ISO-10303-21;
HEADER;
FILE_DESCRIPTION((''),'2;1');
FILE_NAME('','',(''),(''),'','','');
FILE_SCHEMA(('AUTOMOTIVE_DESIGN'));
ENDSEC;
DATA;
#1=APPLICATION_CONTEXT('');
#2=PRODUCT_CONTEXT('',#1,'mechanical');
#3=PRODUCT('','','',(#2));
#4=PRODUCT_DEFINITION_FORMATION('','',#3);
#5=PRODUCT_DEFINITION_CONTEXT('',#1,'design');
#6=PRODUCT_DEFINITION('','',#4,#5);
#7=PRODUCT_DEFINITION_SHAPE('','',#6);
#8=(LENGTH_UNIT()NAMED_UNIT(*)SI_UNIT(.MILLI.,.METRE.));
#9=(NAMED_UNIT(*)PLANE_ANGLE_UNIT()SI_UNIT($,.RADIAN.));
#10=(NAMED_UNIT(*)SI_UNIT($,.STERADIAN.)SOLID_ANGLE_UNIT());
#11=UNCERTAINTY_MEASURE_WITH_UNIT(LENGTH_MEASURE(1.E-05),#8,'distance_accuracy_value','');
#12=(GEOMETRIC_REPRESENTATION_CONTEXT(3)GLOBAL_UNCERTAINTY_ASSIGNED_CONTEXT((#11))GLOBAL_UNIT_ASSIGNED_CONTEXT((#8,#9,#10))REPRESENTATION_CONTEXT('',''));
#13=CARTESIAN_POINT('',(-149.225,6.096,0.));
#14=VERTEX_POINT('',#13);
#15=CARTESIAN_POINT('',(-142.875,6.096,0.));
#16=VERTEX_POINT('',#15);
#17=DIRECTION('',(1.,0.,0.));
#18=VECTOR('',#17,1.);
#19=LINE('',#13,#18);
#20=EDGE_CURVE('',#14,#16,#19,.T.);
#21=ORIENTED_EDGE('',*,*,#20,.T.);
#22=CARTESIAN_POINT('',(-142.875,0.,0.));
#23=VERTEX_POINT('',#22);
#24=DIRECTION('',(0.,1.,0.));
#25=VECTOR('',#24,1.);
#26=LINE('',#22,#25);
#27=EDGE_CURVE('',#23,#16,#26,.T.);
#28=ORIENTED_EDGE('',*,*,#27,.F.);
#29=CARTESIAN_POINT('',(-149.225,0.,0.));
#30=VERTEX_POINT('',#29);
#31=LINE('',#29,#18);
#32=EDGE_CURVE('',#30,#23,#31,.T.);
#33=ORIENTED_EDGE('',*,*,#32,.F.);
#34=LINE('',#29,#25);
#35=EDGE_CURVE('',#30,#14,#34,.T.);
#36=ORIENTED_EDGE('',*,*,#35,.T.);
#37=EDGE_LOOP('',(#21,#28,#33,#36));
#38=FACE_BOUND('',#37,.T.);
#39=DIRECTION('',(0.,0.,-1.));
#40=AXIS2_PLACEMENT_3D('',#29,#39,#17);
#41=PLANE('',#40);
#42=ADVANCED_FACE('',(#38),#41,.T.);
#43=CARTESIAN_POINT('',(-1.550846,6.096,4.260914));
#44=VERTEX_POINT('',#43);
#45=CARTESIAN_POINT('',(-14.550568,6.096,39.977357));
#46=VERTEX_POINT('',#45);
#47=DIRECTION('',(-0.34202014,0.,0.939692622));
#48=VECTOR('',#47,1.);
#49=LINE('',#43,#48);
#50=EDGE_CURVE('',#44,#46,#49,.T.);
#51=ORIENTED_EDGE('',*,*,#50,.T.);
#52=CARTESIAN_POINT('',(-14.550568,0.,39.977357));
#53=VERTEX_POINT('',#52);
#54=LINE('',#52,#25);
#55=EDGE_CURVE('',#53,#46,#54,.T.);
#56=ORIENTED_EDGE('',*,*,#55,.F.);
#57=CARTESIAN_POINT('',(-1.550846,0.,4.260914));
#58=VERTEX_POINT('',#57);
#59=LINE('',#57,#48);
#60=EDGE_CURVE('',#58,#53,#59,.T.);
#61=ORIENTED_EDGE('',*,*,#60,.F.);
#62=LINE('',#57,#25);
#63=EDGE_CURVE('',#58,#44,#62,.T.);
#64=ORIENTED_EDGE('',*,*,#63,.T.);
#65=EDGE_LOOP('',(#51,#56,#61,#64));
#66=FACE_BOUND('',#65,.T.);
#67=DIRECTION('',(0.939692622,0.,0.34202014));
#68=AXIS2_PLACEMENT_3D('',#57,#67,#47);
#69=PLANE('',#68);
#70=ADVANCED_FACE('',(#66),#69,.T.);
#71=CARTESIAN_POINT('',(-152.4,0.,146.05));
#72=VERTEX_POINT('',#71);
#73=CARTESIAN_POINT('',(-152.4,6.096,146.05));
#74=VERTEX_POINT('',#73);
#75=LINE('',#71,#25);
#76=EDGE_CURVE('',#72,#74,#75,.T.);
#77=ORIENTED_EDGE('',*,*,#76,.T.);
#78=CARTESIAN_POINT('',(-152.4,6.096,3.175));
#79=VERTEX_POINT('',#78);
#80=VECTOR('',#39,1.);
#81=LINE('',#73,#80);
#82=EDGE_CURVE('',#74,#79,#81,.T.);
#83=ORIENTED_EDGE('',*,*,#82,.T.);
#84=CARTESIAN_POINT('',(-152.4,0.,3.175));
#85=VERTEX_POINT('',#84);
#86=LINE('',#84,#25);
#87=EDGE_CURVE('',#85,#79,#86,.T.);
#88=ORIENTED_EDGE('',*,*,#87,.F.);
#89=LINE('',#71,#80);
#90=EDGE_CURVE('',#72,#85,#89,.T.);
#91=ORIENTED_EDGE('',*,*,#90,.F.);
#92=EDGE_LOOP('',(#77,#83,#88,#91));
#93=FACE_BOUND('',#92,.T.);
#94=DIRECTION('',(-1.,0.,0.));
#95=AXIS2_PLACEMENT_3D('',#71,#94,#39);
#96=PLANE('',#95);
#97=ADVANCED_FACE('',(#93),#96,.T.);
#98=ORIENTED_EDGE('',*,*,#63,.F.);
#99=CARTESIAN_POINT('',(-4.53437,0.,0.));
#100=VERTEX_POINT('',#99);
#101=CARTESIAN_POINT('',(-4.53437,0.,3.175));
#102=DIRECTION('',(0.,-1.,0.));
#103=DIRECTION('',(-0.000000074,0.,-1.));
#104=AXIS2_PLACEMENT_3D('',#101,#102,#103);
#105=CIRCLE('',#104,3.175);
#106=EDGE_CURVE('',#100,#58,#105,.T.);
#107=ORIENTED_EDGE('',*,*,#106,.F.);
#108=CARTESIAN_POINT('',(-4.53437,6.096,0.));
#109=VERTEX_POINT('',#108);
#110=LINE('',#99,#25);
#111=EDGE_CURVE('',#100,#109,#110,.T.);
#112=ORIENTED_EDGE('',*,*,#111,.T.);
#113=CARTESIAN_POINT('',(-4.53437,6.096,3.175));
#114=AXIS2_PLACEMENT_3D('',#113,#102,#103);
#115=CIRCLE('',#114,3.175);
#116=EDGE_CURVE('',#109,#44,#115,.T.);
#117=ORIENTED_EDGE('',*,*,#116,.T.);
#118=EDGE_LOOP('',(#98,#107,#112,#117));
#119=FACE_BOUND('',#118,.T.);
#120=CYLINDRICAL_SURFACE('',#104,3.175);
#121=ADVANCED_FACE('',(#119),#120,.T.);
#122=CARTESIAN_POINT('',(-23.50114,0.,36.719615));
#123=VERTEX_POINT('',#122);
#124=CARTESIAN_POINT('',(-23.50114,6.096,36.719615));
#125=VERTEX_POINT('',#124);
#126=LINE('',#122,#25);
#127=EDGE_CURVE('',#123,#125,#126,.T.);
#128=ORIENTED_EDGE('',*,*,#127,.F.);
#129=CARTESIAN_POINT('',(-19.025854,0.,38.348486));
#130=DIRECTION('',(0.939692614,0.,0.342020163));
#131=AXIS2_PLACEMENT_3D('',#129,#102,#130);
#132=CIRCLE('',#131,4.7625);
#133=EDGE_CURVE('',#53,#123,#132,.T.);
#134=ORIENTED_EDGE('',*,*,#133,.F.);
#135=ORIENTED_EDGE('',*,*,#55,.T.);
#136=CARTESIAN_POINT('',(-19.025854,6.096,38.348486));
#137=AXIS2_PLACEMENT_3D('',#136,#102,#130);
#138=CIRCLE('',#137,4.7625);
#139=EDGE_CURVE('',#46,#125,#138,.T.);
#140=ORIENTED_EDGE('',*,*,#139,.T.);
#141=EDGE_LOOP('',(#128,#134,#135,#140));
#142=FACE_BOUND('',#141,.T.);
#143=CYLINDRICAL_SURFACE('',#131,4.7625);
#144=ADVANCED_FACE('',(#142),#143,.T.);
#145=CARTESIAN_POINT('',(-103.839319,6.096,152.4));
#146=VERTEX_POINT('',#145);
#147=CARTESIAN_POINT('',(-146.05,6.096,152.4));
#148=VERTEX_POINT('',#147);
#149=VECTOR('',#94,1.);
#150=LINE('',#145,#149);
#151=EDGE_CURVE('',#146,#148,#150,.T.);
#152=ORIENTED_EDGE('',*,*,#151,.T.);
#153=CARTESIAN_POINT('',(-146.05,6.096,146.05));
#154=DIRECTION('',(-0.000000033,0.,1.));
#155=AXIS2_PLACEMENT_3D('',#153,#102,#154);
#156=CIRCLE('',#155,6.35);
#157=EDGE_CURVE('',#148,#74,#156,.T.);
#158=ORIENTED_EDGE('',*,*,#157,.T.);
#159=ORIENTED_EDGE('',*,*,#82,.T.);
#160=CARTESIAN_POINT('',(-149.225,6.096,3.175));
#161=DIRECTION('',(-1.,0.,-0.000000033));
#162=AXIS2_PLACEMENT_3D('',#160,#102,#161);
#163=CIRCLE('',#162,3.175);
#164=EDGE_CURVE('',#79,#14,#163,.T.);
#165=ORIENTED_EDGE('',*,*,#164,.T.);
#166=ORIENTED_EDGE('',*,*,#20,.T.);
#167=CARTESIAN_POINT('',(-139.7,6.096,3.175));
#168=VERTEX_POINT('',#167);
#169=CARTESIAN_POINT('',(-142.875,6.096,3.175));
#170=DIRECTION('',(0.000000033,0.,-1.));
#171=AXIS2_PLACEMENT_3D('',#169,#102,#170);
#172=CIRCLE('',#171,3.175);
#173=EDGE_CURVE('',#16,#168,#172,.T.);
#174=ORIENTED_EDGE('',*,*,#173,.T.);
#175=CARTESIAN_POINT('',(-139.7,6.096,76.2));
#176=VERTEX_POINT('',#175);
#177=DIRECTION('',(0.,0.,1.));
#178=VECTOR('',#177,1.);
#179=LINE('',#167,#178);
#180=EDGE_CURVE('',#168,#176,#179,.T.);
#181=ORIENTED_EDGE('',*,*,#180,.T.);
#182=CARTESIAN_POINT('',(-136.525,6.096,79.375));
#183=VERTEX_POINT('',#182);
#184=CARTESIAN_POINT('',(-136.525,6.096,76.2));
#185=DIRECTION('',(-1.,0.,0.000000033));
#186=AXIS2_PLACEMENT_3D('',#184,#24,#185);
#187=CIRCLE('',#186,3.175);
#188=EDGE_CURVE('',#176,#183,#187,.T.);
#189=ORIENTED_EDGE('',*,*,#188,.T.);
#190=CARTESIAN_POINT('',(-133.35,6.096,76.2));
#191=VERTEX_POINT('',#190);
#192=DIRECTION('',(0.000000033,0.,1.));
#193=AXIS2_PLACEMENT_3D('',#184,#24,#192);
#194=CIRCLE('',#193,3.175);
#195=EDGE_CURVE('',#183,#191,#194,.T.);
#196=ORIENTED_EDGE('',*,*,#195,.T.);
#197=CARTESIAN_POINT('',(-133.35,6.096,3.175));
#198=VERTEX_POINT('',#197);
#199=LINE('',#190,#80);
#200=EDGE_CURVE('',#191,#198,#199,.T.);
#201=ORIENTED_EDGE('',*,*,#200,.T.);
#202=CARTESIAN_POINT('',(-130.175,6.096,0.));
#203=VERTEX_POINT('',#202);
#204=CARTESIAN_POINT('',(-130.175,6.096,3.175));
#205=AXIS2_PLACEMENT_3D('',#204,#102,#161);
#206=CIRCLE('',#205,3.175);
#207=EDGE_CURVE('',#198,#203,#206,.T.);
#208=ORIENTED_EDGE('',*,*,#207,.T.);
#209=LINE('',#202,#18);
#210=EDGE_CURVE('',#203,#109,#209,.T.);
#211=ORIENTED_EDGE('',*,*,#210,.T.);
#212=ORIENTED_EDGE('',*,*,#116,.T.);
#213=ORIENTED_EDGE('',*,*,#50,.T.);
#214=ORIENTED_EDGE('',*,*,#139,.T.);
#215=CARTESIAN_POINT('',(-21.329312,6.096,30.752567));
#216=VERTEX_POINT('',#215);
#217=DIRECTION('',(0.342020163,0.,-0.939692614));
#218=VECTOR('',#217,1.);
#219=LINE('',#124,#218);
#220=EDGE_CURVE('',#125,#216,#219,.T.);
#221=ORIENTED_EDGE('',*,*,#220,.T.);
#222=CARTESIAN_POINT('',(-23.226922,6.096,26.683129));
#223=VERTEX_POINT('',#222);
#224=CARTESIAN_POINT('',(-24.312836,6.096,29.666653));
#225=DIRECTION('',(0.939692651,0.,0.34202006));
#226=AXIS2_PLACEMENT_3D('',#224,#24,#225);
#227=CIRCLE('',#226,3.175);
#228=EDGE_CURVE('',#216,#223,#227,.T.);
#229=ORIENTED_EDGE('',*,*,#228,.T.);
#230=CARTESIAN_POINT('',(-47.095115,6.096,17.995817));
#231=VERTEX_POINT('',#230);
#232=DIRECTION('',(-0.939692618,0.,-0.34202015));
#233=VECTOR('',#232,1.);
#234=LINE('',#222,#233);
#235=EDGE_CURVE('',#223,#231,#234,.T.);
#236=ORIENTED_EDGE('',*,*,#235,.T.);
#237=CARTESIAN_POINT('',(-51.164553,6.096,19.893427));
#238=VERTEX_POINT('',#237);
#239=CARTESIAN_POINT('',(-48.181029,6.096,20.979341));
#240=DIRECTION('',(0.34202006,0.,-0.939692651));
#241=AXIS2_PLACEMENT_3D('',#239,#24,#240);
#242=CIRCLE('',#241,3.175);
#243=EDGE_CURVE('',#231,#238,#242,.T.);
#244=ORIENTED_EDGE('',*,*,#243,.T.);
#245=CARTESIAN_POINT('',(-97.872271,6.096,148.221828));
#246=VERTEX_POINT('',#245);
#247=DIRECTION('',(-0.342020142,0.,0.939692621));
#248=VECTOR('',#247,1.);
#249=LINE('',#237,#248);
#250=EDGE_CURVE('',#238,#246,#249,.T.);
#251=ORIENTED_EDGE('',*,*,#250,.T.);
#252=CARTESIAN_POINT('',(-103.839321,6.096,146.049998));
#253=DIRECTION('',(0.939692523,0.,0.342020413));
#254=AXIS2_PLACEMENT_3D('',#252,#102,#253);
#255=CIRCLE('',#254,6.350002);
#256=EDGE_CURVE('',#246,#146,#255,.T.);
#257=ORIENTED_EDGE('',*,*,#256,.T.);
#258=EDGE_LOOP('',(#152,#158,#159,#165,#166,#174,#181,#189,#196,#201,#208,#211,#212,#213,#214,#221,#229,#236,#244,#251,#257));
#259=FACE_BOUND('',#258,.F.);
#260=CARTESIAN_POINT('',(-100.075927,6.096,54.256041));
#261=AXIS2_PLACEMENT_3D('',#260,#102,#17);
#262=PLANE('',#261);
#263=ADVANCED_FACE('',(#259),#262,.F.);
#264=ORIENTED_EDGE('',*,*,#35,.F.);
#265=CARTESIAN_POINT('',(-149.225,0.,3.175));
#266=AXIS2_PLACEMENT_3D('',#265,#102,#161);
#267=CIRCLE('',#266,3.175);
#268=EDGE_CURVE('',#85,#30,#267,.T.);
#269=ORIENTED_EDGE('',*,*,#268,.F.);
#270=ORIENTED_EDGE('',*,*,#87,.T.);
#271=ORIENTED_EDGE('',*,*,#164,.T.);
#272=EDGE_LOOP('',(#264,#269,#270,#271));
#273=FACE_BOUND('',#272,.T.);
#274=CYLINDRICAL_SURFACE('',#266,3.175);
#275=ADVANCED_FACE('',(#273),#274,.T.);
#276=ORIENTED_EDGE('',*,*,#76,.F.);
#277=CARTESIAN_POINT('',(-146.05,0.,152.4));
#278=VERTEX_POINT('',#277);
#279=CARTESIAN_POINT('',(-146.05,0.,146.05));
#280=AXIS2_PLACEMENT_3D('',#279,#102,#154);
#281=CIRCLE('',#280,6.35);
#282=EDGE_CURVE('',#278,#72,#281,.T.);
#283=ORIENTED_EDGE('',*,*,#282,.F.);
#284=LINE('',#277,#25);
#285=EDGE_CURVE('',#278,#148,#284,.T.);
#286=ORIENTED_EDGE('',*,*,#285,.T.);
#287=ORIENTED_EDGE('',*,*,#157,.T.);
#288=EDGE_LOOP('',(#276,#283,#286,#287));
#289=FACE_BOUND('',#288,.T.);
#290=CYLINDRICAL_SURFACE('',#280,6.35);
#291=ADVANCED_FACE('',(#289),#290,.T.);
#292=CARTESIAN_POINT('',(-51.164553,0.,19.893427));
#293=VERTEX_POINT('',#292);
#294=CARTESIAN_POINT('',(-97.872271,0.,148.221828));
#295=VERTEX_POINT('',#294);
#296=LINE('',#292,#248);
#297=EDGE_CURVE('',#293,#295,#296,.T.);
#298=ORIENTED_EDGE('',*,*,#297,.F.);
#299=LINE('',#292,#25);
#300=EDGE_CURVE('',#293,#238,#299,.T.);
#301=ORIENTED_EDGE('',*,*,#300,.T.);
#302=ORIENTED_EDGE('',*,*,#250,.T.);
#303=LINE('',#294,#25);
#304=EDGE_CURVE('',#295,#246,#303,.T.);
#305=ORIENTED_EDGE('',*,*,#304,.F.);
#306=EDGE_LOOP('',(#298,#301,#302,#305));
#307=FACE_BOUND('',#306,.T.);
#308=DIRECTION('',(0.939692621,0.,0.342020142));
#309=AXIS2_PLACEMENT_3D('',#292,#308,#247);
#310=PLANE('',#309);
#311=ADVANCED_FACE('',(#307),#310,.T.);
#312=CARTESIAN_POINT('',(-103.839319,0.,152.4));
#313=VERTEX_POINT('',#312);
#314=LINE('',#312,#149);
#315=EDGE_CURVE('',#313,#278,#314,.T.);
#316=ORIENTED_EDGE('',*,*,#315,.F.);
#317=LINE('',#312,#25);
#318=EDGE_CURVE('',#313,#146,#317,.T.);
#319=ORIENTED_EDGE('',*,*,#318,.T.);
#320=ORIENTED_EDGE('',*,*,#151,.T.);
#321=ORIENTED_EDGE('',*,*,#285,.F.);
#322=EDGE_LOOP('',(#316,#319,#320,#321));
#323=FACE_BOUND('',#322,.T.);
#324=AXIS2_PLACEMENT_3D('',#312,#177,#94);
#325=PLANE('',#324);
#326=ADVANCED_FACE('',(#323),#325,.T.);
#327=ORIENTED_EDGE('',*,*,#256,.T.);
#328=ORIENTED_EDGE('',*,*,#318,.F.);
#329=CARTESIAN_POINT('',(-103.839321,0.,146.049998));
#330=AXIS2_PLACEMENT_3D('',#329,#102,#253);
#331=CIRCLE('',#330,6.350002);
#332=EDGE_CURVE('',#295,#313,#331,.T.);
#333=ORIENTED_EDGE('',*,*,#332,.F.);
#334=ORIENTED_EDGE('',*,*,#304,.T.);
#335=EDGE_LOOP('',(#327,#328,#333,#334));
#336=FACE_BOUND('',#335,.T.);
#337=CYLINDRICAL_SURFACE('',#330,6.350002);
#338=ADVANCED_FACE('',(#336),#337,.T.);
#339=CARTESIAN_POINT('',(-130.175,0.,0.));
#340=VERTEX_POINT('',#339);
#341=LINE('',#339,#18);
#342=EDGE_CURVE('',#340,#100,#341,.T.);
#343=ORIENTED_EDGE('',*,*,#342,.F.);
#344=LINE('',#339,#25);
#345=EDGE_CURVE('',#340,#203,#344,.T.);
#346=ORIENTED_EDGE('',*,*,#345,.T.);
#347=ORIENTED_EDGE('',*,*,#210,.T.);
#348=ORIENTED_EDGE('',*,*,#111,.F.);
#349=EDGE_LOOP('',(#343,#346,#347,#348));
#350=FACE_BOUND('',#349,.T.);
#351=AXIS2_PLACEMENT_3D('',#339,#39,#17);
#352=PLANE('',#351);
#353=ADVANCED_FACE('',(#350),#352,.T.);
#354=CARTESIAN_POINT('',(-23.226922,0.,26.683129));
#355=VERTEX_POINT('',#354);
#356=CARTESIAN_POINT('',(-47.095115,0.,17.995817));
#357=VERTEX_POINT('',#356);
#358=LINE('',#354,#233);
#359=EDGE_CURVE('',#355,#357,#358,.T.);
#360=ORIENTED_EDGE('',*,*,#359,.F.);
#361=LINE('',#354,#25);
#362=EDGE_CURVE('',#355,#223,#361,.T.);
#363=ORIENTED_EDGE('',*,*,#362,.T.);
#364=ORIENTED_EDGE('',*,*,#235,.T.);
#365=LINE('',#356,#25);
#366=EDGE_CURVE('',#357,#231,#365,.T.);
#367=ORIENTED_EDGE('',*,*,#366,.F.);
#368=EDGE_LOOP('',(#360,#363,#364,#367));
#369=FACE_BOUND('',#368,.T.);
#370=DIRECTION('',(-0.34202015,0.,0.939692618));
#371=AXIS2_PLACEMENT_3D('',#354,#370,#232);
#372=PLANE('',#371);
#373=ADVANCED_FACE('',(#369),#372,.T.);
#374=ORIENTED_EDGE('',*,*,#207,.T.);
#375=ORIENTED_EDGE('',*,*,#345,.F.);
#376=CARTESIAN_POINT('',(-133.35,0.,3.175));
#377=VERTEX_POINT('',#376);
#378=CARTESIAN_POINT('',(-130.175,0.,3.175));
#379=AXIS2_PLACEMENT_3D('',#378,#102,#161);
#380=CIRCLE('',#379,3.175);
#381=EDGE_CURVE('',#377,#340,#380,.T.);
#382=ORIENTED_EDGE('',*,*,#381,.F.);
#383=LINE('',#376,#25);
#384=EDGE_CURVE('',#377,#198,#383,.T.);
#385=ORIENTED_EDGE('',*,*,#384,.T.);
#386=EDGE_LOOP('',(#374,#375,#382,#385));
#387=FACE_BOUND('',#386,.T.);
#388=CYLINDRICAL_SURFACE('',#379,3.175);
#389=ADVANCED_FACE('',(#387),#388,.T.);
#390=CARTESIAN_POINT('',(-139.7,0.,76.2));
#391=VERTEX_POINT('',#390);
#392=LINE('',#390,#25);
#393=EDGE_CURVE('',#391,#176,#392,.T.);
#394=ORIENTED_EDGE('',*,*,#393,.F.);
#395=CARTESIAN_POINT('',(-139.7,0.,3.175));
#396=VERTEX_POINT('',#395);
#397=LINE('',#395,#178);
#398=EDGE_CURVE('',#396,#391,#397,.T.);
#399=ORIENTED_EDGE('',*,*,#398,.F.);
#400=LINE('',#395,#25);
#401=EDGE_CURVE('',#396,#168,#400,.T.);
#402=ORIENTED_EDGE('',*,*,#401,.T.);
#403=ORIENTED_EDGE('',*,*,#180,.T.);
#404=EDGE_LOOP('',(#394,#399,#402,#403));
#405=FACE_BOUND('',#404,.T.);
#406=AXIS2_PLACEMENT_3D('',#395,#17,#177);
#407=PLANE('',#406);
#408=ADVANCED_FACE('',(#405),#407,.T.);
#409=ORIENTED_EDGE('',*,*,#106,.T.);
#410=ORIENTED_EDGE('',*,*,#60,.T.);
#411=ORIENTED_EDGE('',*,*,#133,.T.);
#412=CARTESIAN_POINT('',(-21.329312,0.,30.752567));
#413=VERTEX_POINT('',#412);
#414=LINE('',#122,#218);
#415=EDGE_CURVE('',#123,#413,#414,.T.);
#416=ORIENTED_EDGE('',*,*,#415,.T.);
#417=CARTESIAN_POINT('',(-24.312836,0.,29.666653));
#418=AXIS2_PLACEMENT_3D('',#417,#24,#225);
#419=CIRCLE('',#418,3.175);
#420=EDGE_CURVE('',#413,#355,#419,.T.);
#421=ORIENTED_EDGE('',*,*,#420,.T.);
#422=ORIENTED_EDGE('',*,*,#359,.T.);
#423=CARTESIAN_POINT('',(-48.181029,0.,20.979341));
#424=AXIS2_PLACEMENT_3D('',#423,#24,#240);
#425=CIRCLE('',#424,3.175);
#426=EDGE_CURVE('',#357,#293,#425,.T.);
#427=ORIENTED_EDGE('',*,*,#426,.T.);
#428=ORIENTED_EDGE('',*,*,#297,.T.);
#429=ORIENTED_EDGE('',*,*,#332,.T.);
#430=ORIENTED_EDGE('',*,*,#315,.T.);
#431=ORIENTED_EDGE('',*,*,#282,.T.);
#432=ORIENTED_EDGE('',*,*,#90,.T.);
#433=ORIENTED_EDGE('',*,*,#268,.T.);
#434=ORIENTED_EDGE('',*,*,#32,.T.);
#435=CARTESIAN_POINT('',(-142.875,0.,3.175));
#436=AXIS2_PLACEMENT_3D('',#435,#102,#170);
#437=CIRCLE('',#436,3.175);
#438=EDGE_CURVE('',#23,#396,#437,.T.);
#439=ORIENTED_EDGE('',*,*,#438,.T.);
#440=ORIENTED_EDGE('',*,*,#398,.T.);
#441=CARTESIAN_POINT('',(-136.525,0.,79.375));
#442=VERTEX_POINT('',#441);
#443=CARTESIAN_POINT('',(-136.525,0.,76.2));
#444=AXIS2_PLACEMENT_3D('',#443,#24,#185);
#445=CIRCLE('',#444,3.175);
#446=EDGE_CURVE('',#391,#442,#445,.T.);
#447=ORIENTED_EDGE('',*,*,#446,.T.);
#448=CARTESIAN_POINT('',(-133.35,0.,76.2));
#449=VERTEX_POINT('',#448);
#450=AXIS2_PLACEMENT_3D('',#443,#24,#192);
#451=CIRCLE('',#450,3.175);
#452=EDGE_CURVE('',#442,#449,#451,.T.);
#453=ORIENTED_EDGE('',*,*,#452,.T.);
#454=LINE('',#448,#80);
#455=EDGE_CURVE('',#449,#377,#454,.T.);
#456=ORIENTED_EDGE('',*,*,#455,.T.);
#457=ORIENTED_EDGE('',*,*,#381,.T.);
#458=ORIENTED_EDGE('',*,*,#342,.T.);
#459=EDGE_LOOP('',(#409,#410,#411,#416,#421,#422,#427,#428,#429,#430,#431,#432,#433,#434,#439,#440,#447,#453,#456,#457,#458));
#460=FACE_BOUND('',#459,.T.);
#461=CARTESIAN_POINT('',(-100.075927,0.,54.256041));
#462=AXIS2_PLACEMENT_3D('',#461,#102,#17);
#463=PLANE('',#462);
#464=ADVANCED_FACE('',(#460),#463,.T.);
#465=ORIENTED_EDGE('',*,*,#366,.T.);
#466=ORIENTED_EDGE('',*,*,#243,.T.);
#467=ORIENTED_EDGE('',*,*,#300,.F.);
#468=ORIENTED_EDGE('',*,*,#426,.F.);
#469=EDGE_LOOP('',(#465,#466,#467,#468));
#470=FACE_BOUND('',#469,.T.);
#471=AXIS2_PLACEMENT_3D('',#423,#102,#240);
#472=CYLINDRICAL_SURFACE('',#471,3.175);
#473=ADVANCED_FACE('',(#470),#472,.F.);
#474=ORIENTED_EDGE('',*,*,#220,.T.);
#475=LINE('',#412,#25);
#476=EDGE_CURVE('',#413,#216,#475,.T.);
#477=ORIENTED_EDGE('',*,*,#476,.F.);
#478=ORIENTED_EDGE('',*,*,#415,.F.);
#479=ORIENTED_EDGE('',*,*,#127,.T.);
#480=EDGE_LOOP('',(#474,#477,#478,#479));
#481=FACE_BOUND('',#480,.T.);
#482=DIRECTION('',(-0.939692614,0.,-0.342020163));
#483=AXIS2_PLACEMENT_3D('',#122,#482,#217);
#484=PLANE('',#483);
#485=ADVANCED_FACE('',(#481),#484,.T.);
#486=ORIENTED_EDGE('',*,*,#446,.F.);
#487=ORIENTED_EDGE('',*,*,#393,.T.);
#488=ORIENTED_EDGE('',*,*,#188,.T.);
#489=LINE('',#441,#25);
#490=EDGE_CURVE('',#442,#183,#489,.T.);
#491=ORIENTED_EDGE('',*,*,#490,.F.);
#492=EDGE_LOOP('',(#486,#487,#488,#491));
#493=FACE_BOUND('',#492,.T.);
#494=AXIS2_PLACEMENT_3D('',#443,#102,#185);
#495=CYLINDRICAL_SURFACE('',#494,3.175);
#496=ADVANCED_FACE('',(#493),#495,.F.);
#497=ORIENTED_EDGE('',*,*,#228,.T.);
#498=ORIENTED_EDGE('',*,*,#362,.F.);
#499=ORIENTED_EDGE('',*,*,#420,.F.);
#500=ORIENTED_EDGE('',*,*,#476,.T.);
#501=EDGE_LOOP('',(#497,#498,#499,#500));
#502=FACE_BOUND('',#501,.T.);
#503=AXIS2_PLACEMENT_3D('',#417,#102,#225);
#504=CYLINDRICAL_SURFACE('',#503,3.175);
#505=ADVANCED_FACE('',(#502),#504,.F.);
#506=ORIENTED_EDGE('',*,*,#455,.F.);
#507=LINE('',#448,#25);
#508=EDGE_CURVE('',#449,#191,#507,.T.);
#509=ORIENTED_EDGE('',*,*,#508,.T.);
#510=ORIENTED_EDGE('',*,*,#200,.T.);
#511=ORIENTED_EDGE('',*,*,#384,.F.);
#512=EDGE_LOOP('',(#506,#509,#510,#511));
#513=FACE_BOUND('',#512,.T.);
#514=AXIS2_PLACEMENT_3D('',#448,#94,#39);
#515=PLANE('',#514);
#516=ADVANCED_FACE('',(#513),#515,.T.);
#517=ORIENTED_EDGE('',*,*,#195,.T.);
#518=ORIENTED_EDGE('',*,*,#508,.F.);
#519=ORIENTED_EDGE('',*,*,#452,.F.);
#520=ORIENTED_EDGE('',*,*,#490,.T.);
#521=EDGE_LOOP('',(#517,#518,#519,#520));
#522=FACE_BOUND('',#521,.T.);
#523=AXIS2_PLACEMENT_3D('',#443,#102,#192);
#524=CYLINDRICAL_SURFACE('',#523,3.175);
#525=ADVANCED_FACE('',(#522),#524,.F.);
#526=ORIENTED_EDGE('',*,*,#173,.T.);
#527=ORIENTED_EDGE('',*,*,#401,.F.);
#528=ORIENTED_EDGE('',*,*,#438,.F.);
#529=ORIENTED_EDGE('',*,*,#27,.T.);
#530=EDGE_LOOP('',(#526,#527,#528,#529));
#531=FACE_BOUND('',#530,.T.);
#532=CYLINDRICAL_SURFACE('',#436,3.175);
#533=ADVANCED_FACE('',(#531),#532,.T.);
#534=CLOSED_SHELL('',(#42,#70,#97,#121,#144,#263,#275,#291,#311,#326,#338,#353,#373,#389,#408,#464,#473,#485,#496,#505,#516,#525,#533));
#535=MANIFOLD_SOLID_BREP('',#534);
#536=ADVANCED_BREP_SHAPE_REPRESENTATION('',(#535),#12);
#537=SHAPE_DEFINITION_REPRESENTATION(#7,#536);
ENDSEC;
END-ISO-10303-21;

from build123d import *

# Parameters (mm, degrees)
F1_DEPTH = 6.096


with BuildPart() as f1:
    # F0 (on Front) → F1 (new body)
    with BuildSketch(Plane.XZ):
        with BuildLine():
            Line((-103.839319, 152.4), (-146.05, 152.4))
            ThreePointArc((-146.05, 152.4), (-150.540128, 150.540128), (-152.4, 146.05))
            Line((-152.4, 146.05), (-152.4, 3.175))
            ThreePointArc((-152.4, 3.175), (-151.470064, 0.929936), (-149.225, 0))
            Line((-149.225, 0), (-142.875, 0))
            ThreePointArc((-142.875, 0), (-140.629936, 0.929936), (-139.7, 3.175))
            Line((-139.7, 3.175), (-139.7, 76.2))
            ThreePointArc((-139.7, 76.2), (-138.770064, 78.445064), (-136.525, 79.375))
            ThreePointArc((-136.525, 79.375), (-134.279936, 78.445064), (-133.35, 76.2))
            Line((-133.35, 76.2), (-133.35, 3.175))
            ThreePointArc((-133.35, 3.175), (-132.420064, 0.929936), (-130.175, 0))
            Line((-130.175, 0), (-4.53437, 0))
            ThreePointArc((-4.53437, 0), (-1.933562, 1.353895), (-1.550846, 4.260914))
            Line((-1.550846, 4.260914), (-14.550568, 39.977357))
            ThreePointArc((-14.550568, 39.977357), (-20.654725, 42.823772), (-23.50114, 36.719615))
            Line((-23.50114, 36.719615), (-21.329312, 30.752567))
            ThreePointArc((-21.329312, 30.752567), (-21.435309, 28.32484), (-23.226922, 26.683129))
            Line((-23.226922, 26.683129), (-47.095115, 17.995817))
            ThreePointArc((-47.095115, 17.995817), (-49.522842, 18.101814), (-51.164553, 19.893427))
            Line((-51.164553, 19.893427), (-97.872271, 148.221828))
            ThreePointArc((-97.872271, 148.221828), (-100.197109, 151.251615), (-103.839319, 152.4))
        make_face()
    extrude(amount=-F1_DEPTH)


solid = f1.part
